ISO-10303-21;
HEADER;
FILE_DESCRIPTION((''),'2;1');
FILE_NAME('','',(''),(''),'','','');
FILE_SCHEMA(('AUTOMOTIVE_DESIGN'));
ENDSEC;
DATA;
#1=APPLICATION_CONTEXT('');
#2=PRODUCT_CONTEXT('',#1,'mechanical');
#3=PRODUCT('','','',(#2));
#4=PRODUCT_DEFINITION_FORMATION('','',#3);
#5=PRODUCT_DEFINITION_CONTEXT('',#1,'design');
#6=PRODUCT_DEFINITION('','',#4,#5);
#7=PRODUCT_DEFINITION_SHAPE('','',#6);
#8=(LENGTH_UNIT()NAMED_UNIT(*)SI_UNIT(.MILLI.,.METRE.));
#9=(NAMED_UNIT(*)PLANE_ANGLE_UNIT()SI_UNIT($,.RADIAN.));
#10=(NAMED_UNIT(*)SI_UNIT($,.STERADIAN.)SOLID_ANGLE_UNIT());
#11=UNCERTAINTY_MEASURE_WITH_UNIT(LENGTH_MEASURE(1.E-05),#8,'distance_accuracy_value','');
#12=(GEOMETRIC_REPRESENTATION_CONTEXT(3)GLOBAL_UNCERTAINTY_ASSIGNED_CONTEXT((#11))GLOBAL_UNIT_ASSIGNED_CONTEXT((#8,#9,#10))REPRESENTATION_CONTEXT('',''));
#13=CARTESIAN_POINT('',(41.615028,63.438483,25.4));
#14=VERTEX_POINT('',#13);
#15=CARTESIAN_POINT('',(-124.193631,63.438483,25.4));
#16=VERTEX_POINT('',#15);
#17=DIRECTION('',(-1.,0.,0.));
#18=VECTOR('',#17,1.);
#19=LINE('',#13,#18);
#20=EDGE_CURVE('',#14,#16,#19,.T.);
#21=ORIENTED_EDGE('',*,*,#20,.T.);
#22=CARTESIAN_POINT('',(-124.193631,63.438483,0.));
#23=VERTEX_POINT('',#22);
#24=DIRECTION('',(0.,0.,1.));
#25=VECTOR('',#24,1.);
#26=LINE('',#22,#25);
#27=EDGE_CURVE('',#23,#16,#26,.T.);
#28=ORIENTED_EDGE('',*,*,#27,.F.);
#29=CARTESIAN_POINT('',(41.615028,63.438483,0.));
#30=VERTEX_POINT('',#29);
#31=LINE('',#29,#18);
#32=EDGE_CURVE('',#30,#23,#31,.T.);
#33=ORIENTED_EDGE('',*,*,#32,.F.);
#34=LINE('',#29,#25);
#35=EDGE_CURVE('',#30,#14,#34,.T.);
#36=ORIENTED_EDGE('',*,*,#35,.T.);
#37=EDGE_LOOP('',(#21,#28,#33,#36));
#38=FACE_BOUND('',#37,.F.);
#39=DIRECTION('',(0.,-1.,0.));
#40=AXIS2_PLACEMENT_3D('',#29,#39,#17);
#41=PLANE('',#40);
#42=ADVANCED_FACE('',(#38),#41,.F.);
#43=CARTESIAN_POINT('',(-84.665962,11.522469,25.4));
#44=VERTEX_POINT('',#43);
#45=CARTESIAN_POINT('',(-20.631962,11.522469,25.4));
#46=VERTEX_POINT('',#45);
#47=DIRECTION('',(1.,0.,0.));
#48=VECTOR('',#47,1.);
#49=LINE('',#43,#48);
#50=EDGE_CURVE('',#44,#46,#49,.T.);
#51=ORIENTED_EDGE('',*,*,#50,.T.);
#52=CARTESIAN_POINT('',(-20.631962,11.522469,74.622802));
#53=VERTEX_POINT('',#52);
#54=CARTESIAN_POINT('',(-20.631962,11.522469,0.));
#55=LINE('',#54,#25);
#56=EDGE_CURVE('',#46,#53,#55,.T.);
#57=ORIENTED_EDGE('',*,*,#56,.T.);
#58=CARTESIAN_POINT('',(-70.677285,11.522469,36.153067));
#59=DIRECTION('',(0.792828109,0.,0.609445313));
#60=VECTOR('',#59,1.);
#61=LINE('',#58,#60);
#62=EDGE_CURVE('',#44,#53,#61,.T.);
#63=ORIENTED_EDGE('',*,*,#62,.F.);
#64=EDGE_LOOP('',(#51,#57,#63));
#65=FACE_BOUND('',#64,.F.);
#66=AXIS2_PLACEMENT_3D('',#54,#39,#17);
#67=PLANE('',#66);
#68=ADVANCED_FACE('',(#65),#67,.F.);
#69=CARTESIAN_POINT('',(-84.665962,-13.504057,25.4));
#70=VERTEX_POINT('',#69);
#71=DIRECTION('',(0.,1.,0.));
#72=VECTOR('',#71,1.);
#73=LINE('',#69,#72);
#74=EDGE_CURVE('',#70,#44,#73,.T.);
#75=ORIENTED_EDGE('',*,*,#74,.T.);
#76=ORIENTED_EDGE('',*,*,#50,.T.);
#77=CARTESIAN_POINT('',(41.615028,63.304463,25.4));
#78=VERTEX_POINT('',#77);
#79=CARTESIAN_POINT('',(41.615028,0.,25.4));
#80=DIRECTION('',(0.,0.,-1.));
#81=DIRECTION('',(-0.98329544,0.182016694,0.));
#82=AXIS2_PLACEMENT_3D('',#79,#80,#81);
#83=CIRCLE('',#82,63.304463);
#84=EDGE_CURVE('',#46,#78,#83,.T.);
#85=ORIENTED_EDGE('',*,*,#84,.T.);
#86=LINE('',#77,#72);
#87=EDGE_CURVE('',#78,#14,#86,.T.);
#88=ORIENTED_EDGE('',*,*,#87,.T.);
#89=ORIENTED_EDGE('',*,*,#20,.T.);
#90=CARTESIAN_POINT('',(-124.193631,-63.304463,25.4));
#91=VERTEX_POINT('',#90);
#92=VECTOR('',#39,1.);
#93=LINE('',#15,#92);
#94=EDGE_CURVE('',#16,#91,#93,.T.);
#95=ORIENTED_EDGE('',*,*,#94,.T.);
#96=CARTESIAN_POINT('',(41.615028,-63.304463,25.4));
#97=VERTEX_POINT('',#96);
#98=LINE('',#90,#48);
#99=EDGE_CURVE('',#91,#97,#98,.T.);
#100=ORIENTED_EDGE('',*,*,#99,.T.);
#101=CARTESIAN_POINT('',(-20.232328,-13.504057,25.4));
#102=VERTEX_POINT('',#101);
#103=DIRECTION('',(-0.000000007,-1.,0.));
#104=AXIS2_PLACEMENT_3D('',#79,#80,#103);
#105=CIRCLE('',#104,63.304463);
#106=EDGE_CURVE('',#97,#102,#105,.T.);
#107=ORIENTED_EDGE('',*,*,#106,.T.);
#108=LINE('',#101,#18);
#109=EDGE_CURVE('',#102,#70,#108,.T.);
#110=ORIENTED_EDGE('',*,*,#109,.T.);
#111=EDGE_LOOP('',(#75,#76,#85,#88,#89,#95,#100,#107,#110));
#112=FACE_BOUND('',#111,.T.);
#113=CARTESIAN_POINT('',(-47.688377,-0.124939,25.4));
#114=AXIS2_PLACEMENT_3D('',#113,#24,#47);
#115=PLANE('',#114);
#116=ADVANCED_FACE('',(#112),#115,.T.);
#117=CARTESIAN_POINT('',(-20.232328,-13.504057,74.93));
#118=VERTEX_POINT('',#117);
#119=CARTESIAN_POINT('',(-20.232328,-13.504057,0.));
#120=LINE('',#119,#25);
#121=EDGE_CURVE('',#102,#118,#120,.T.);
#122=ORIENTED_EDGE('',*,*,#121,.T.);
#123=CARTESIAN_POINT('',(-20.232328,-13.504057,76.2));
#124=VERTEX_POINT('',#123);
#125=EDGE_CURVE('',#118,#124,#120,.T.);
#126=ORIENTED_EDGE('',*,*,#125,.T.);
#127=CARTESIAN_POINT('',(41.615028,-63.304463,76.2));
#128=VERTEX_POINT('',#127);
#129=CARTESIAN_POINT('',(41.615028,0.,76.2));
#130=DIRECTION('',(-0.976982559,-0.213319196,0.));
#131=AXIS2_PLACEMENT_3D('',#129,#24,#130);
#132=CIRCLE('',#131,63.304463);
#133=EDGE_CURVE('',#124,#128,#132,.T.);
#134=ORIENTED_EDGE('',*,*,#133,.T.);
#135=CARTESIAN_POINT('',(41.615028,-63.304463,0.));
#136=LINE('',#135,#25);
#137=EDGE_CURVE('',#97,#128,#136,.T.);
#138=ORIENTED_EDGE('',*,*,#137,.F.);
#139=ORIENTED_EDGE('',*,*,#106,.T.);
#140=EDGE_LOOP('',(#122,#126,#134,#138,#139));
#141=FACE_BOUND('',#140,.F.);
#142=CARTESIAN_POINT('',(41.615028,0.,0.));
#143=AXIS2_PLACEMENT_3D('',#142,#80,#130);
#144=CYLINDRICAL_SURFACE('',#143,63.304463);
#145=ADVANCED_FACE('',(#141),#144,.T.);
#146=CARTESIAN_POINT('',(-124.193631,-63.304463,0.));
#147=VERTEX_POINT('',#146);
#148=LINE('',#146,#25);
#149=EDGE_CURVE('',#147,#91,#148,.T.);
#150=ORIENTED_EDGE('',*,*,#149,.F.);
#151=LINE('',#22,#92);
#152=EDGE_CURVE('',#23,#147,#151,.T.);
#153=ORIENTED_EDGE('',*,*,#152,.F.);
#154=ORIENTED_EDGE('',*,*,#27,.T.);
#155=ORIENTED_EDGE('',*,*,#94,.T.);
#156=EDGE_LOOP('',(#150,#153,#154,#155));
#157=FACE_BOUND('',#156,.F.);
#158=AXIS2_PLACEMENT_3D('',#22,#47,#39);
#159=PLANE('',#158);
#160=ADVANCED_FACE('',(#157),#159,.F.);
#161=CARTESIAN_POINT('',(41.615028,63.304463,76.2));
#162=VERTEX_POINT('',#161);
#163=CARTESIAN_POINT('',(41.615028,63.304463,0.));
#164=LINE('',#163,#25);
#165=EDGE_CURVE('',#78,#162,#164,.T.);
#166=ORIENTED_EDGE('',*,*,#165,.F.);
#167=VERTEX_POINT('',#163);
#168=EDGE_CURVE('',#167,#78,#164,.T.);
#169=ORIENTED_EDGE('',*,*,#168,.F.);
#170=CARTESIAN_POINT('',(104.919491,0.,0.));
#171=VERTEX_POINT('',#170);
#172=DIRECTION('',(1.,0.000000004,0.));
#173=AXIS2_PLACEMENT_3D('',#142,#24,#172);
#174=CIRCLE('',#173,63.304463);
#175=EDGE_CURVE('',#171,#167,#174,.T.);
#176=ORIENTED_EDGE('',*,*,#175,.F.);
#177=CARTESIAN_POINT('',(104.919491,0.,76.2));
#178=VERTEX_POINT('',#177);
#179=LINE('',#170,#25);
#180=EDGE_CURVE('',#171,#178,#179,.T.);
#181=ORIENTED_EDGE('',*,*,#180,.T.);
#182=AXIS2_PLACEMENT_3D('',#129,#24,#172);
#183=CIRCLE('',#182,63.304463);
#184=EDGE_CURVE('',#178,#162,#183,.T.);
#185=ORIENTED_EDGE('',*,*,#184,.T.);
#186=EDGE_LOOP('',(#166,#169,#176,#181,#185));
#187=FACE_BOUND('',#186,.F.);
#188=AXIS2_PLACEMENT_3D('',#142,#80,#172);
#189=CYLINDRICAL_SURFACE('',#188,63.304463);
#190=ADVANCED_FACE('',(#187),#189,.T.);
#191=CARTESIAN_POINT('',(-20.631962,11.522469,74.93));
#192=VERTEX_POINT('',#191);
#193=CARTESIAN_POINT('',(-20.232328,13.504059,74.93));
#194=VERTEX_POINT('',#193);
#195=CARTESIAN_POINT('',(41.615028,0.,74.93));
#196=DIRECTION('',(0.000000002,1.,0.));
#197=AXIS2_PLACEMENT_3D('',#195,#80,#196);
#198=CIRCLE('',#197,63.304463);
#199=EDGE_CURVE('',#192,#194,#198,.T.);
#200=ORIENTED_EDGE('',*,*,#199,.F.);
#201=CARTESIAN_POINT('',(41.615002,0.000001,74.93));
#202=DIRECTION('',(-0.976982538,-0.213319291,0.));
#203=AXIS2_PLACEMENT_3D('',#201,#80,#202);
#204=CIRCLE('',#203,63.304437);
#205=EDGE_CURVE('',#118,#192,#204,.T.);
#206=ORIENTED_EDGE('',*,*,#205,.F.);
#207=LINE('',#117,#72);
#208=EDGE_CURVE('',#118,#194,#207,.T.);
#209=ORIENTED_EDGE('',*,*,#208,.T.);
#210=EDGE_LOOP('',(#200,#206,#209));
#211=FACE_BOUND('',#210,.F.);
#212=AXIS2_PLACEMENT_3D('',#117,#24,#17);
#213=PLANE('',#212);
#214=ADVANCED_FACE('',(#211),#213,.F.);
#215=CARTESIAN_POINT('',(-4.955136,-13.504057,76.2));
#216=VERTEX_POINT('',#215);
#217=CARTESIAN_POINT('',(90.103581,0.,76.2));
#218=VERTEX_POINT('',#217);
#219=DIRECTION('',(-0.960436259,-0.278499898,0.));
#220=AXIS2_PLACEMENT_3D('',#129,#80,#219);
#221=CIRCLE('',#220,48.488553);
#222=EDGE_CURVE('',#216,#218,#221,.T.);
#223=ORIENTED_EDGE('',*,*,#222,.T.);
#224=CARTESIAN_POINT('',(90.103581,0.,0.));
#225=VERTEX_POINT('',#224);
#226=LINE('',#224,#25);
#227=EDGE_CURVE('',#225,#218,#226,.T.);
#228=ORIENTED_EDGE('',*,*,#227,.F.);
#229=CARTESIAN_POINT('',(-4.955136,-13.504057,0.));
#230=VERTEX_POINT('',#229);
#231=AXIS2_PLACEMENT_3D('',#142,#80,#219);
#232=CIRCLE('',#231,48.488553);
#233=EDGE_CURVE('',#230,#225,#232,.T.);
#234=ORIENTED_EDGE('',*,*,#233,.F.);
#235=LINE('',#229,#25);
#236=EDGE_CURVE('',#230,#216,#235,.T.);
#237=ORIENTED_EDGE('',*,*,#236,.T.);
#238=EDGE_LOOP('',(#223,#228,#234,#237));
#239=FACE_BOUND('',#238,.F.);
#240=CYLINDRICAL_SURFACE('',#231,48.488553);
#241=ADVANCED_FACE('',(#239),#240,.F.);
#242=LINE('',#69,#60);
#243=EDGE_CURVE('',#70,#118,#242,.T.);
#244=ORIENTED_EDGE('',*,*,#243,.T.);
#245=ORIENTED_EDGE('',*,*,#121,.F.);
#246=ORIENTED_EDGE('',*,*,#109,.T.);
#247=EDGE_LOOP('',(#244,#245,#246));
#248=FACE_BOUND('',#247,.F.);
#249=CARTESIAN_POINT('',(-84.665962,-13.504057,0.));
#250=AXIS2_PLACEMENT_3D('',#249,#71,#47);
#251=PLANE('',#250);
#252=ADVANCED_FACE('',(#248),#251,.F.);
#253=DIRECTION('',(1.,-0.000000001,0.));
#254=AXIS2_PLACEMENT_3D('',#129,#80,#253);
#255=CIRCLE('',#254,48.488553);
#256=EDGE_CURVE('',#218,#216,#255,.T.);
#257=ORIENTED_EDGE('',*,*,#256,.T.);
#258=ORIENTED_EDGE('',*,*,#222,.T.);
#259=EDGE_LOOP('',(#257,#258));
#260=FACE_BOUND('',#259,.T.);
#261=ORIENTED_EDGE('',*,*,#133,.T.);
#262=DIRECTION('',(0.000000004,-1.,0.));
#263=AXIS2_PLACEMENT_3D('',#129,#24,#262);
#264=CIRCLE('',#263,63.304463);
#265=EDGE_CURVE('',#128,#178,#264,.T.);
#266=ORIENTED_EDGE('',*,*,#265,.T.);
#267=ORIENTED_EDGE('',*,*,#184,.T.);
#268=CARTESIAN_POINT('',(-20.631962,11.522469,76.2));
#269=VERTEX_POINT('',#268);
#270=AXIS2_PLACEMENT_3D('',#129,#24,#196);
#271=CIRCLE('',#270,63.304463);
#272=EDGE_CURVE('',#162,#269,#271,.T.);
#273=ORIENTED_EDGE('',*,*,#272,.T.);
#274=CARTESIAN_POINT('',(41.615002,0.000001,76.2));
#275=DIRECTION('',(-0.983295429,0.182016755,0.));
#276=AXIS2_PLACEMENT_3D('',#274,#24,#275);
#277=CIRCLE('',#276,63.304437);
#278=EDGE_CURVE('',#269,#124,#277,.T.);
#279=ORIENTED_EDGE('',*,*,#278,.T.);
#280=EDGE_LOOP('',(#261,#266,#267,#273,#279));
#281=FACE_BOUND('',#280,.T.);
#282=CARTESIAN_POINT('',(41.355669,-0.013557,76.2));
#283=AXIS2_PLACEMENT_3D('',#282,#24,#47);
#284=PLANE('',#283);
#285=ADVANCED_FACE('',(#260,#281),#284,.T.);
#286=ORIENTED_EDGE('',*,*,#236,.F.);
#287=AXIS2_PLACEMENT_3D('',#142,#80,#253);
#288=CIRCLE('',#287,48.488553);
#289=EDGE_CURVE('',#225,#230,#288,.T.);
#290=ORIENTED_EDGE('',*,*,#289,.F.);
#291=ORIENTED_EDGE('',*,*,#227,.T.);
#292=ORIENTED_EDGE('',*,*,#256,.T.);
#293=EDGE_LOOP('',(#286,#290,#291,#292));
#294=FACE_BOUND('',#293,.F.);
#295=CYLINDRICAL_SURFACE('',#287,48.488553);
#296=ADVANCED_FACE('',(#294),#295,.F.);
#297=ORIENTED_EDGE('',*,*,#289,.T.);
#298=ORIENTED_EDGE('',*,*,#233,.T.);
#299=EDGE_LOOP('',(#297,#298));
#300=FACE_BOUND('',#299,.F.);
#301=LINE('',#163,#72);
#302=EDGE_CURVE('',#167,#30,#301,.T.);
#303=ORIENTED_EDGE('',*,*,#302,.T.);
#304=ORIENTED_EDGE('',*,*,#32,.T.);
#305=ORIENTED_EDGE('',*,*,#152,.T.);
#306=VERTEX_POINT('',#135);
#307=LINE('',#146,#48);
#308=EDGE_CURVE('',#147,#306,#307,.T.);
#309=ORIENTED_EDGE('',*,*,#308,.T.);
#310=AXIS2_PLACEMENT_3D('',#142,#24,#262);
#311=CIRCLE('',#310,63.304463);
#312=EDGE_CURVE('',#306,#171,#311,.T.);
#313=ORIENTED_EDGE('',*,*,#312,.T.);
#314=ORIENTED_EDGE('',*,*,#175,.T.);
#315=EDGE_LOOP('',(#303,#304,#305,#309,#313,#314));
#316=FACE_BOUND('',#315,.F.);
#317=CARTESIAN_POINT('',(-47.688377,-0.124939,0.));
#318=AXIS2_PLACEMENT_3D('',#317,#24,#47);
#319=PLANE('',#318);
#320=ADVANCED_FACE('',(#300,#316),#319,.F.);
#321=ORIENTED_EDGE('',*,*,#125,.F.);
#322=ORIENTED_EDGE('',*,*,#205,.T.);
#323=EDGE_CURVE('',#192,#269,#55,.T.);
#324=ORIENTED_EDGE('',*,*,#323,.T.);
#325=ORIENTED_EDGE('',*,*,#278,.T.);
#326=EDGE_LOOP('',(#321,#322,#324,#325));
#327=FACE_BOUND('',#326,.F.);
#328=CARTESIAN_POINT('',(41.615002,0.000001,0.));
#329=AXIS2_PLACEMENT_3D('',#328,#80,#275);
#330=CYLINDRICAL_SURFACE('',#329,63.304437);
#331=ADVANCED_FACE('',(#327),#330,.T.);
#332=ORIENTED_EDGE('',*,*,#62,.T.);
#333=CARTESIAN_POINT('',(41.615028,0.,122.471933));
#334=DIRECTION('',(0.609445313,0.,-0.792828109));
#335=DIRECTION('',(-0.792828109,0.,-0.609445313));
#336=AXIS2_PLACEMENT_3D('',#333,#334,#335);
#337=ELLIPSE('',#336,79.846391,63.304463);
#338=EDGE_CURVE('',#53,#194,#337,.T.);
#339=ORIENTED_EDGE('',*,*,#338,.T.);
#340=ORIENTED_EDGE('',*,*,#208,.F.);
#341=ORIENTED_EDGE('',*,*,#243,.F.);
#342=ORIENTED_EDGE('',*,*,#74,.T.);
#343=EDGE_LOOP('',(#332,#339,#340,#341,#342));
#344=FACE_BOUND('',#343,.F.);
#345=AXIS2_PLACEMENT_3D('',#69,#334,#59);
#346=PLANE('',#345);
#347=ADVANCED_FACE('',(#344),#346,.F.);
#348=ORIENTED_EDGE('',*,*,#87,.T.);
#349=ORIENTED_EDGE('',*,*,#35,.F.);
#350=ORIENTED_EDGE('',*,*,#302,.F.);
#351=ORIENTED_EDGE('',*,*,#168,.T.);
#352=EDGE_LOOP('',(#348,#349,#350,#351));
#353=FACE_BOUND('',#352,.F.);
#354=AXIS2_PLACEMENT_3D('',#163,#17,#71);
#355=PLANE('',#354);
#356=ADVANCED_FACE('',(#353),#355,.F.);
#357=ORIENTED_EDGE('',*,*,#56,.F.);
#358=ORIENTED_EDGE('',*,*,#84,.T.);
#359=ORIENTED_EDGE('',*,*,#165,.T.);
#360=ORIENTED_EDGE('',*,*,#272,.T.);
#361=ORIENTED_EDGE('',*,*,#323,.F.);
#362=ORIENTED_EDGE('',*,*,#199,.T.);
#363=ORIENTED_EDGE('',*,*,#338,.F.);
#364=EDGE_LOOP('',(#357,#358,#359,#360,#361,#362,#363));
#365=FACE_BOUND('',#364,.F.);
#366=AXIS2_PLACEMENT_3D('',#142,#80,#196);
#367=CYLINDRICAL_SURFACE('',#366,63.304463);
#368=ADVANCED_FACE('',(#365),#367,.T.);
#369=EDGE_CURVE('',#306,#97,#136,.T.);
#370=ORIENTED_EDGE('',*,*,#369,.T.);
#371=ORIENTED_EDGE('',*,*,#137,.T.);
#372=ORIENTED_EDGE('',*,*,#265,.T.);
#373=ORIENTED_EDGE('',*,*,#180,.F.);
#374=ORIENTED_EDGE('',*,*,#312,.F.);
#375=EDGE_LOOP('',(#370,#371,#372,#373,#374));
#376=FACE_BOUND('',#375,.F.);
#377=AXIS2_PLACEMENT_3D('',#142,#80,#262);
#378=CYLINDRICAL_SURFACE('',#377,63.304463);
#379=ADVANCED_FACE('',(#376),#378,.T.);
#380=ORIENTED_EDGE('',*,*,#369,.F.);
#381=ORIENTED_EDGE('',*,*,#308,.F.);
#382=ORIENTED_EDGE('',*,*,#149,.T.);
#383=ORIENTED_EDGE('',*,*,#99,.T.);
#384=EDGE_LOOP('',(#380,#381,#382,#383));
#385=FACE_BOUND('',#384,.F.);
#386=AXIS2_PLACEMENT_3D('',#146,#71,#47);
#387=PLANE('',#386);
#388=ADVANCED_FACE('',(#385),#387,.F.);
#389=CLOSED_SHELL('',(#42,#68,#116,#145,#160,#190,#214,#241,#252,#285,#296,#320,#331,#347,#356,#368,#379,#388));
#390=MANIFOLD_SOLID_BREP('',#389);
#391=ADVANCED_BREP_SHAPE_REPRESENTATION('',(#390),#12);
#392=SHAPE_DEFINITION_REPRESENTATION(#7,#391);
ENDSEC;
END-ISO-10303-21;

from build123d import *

# Parameters (mm, degrees)
F1_DEPTH = 76.2
F2_DEPTH = 25.4
F3_DEPTH = 74.93
F5_DEPTH = 76.94354


with BuildPart() as f1:
    # F0 (on Top) → F1 (new body)
    with BuildSketch(Plane.XY):
        with BuildLine():
            ThreePointArc((41.615028, -63.304463), (86.378043, -44.763015), (104.919491, 0))
            ThreePointArc((104.919491, 0), (86.378043, 44.763015), (41.615028, 63.304463))
            ThreePointArc((41.615028, 63.304463), (1.13027, 48.666615), (-20.631962, 11.522469))
            ThreePointArc((-20.631962, 11.522469), (-21.681366, -1.010742), (-20.232328, -13.504057))
            ThreePointArc((-20.232328, -13.504057), (1.912459, -49.306805), (41.615028, -63.304463))
        make_face()
        with BuildLine():
            ThreePointArc((-4.955136, -13.504057), (34.795208, 48.00656), (90.103581, 0))
            ThreePointArc((90.103581, 0), (48.434848, -48.00656), (-4.955136, -13.504057))
        make_face(mode=Mode.SUBTRACT)
    extrude(amount=F1_DEPTH)

    # F0 (on Top) → F2 (join)
    with BuildSketch(Plane.XY):
        with BuildLine():
            ThreePointArc((-20.631962, 11.522469), (1.13027, 48.666615), (41.615028, 63.304463))
            Line((41.615028, 63.304463), (41.615028, 63.438483))
            Line((41.615028, 63.438483), (-124.193631, 63.438483))
            Line((-124.193631, 63.438483), (-124.193631, -63.304463))
            Line((-124.193631, -63.304463), (41.615028, -63.304463))
            ThreePointArc((41.615028, -63.304463), (1.912459, -49.306805), (-20.232328, -13.504057))
            Line((-20.232328, -13.504057), (-84.665962, -13.504057))
            Line((-84.665962, -13.504057), (-84.665962, 11.522469))
            Line((-84.665962, 11.522469), (-20.631962, 11.522469))
        make_face()
    extrude(amount=F2_DEPTH)

    # F0 (on Top) → F3 (join)
    with BuildSketch(Plane.XY):
        with BuildLine():
            ThreePointArc((-20.232328, -13.504057), (-21.681366, -1.010742), (-20.631962, 11.522469))
            Line((-20.631962, 11.522469), (-84.665962, 11.522469))
            Line((-84.665962, 11.522469), (-84.665962, -13.504057))
            Line((-84.665962, -13.504057), (-20.232328, -13.504057))
        make_face()
    extrude(amount=F3_DEPTH)

    # F4 (on face) → F5 (cut, through all)
    with BuildSketch(Plane.XZ.offset(13.504057)):
        Polygon((-84.665962, 25.4), (-20.232328, 74.93), (-84.665962, 74.93), align=None)
    extrude(amount=-F5_DEPTH, mode=Mode.SUBTRACT)


solid = f1.part
